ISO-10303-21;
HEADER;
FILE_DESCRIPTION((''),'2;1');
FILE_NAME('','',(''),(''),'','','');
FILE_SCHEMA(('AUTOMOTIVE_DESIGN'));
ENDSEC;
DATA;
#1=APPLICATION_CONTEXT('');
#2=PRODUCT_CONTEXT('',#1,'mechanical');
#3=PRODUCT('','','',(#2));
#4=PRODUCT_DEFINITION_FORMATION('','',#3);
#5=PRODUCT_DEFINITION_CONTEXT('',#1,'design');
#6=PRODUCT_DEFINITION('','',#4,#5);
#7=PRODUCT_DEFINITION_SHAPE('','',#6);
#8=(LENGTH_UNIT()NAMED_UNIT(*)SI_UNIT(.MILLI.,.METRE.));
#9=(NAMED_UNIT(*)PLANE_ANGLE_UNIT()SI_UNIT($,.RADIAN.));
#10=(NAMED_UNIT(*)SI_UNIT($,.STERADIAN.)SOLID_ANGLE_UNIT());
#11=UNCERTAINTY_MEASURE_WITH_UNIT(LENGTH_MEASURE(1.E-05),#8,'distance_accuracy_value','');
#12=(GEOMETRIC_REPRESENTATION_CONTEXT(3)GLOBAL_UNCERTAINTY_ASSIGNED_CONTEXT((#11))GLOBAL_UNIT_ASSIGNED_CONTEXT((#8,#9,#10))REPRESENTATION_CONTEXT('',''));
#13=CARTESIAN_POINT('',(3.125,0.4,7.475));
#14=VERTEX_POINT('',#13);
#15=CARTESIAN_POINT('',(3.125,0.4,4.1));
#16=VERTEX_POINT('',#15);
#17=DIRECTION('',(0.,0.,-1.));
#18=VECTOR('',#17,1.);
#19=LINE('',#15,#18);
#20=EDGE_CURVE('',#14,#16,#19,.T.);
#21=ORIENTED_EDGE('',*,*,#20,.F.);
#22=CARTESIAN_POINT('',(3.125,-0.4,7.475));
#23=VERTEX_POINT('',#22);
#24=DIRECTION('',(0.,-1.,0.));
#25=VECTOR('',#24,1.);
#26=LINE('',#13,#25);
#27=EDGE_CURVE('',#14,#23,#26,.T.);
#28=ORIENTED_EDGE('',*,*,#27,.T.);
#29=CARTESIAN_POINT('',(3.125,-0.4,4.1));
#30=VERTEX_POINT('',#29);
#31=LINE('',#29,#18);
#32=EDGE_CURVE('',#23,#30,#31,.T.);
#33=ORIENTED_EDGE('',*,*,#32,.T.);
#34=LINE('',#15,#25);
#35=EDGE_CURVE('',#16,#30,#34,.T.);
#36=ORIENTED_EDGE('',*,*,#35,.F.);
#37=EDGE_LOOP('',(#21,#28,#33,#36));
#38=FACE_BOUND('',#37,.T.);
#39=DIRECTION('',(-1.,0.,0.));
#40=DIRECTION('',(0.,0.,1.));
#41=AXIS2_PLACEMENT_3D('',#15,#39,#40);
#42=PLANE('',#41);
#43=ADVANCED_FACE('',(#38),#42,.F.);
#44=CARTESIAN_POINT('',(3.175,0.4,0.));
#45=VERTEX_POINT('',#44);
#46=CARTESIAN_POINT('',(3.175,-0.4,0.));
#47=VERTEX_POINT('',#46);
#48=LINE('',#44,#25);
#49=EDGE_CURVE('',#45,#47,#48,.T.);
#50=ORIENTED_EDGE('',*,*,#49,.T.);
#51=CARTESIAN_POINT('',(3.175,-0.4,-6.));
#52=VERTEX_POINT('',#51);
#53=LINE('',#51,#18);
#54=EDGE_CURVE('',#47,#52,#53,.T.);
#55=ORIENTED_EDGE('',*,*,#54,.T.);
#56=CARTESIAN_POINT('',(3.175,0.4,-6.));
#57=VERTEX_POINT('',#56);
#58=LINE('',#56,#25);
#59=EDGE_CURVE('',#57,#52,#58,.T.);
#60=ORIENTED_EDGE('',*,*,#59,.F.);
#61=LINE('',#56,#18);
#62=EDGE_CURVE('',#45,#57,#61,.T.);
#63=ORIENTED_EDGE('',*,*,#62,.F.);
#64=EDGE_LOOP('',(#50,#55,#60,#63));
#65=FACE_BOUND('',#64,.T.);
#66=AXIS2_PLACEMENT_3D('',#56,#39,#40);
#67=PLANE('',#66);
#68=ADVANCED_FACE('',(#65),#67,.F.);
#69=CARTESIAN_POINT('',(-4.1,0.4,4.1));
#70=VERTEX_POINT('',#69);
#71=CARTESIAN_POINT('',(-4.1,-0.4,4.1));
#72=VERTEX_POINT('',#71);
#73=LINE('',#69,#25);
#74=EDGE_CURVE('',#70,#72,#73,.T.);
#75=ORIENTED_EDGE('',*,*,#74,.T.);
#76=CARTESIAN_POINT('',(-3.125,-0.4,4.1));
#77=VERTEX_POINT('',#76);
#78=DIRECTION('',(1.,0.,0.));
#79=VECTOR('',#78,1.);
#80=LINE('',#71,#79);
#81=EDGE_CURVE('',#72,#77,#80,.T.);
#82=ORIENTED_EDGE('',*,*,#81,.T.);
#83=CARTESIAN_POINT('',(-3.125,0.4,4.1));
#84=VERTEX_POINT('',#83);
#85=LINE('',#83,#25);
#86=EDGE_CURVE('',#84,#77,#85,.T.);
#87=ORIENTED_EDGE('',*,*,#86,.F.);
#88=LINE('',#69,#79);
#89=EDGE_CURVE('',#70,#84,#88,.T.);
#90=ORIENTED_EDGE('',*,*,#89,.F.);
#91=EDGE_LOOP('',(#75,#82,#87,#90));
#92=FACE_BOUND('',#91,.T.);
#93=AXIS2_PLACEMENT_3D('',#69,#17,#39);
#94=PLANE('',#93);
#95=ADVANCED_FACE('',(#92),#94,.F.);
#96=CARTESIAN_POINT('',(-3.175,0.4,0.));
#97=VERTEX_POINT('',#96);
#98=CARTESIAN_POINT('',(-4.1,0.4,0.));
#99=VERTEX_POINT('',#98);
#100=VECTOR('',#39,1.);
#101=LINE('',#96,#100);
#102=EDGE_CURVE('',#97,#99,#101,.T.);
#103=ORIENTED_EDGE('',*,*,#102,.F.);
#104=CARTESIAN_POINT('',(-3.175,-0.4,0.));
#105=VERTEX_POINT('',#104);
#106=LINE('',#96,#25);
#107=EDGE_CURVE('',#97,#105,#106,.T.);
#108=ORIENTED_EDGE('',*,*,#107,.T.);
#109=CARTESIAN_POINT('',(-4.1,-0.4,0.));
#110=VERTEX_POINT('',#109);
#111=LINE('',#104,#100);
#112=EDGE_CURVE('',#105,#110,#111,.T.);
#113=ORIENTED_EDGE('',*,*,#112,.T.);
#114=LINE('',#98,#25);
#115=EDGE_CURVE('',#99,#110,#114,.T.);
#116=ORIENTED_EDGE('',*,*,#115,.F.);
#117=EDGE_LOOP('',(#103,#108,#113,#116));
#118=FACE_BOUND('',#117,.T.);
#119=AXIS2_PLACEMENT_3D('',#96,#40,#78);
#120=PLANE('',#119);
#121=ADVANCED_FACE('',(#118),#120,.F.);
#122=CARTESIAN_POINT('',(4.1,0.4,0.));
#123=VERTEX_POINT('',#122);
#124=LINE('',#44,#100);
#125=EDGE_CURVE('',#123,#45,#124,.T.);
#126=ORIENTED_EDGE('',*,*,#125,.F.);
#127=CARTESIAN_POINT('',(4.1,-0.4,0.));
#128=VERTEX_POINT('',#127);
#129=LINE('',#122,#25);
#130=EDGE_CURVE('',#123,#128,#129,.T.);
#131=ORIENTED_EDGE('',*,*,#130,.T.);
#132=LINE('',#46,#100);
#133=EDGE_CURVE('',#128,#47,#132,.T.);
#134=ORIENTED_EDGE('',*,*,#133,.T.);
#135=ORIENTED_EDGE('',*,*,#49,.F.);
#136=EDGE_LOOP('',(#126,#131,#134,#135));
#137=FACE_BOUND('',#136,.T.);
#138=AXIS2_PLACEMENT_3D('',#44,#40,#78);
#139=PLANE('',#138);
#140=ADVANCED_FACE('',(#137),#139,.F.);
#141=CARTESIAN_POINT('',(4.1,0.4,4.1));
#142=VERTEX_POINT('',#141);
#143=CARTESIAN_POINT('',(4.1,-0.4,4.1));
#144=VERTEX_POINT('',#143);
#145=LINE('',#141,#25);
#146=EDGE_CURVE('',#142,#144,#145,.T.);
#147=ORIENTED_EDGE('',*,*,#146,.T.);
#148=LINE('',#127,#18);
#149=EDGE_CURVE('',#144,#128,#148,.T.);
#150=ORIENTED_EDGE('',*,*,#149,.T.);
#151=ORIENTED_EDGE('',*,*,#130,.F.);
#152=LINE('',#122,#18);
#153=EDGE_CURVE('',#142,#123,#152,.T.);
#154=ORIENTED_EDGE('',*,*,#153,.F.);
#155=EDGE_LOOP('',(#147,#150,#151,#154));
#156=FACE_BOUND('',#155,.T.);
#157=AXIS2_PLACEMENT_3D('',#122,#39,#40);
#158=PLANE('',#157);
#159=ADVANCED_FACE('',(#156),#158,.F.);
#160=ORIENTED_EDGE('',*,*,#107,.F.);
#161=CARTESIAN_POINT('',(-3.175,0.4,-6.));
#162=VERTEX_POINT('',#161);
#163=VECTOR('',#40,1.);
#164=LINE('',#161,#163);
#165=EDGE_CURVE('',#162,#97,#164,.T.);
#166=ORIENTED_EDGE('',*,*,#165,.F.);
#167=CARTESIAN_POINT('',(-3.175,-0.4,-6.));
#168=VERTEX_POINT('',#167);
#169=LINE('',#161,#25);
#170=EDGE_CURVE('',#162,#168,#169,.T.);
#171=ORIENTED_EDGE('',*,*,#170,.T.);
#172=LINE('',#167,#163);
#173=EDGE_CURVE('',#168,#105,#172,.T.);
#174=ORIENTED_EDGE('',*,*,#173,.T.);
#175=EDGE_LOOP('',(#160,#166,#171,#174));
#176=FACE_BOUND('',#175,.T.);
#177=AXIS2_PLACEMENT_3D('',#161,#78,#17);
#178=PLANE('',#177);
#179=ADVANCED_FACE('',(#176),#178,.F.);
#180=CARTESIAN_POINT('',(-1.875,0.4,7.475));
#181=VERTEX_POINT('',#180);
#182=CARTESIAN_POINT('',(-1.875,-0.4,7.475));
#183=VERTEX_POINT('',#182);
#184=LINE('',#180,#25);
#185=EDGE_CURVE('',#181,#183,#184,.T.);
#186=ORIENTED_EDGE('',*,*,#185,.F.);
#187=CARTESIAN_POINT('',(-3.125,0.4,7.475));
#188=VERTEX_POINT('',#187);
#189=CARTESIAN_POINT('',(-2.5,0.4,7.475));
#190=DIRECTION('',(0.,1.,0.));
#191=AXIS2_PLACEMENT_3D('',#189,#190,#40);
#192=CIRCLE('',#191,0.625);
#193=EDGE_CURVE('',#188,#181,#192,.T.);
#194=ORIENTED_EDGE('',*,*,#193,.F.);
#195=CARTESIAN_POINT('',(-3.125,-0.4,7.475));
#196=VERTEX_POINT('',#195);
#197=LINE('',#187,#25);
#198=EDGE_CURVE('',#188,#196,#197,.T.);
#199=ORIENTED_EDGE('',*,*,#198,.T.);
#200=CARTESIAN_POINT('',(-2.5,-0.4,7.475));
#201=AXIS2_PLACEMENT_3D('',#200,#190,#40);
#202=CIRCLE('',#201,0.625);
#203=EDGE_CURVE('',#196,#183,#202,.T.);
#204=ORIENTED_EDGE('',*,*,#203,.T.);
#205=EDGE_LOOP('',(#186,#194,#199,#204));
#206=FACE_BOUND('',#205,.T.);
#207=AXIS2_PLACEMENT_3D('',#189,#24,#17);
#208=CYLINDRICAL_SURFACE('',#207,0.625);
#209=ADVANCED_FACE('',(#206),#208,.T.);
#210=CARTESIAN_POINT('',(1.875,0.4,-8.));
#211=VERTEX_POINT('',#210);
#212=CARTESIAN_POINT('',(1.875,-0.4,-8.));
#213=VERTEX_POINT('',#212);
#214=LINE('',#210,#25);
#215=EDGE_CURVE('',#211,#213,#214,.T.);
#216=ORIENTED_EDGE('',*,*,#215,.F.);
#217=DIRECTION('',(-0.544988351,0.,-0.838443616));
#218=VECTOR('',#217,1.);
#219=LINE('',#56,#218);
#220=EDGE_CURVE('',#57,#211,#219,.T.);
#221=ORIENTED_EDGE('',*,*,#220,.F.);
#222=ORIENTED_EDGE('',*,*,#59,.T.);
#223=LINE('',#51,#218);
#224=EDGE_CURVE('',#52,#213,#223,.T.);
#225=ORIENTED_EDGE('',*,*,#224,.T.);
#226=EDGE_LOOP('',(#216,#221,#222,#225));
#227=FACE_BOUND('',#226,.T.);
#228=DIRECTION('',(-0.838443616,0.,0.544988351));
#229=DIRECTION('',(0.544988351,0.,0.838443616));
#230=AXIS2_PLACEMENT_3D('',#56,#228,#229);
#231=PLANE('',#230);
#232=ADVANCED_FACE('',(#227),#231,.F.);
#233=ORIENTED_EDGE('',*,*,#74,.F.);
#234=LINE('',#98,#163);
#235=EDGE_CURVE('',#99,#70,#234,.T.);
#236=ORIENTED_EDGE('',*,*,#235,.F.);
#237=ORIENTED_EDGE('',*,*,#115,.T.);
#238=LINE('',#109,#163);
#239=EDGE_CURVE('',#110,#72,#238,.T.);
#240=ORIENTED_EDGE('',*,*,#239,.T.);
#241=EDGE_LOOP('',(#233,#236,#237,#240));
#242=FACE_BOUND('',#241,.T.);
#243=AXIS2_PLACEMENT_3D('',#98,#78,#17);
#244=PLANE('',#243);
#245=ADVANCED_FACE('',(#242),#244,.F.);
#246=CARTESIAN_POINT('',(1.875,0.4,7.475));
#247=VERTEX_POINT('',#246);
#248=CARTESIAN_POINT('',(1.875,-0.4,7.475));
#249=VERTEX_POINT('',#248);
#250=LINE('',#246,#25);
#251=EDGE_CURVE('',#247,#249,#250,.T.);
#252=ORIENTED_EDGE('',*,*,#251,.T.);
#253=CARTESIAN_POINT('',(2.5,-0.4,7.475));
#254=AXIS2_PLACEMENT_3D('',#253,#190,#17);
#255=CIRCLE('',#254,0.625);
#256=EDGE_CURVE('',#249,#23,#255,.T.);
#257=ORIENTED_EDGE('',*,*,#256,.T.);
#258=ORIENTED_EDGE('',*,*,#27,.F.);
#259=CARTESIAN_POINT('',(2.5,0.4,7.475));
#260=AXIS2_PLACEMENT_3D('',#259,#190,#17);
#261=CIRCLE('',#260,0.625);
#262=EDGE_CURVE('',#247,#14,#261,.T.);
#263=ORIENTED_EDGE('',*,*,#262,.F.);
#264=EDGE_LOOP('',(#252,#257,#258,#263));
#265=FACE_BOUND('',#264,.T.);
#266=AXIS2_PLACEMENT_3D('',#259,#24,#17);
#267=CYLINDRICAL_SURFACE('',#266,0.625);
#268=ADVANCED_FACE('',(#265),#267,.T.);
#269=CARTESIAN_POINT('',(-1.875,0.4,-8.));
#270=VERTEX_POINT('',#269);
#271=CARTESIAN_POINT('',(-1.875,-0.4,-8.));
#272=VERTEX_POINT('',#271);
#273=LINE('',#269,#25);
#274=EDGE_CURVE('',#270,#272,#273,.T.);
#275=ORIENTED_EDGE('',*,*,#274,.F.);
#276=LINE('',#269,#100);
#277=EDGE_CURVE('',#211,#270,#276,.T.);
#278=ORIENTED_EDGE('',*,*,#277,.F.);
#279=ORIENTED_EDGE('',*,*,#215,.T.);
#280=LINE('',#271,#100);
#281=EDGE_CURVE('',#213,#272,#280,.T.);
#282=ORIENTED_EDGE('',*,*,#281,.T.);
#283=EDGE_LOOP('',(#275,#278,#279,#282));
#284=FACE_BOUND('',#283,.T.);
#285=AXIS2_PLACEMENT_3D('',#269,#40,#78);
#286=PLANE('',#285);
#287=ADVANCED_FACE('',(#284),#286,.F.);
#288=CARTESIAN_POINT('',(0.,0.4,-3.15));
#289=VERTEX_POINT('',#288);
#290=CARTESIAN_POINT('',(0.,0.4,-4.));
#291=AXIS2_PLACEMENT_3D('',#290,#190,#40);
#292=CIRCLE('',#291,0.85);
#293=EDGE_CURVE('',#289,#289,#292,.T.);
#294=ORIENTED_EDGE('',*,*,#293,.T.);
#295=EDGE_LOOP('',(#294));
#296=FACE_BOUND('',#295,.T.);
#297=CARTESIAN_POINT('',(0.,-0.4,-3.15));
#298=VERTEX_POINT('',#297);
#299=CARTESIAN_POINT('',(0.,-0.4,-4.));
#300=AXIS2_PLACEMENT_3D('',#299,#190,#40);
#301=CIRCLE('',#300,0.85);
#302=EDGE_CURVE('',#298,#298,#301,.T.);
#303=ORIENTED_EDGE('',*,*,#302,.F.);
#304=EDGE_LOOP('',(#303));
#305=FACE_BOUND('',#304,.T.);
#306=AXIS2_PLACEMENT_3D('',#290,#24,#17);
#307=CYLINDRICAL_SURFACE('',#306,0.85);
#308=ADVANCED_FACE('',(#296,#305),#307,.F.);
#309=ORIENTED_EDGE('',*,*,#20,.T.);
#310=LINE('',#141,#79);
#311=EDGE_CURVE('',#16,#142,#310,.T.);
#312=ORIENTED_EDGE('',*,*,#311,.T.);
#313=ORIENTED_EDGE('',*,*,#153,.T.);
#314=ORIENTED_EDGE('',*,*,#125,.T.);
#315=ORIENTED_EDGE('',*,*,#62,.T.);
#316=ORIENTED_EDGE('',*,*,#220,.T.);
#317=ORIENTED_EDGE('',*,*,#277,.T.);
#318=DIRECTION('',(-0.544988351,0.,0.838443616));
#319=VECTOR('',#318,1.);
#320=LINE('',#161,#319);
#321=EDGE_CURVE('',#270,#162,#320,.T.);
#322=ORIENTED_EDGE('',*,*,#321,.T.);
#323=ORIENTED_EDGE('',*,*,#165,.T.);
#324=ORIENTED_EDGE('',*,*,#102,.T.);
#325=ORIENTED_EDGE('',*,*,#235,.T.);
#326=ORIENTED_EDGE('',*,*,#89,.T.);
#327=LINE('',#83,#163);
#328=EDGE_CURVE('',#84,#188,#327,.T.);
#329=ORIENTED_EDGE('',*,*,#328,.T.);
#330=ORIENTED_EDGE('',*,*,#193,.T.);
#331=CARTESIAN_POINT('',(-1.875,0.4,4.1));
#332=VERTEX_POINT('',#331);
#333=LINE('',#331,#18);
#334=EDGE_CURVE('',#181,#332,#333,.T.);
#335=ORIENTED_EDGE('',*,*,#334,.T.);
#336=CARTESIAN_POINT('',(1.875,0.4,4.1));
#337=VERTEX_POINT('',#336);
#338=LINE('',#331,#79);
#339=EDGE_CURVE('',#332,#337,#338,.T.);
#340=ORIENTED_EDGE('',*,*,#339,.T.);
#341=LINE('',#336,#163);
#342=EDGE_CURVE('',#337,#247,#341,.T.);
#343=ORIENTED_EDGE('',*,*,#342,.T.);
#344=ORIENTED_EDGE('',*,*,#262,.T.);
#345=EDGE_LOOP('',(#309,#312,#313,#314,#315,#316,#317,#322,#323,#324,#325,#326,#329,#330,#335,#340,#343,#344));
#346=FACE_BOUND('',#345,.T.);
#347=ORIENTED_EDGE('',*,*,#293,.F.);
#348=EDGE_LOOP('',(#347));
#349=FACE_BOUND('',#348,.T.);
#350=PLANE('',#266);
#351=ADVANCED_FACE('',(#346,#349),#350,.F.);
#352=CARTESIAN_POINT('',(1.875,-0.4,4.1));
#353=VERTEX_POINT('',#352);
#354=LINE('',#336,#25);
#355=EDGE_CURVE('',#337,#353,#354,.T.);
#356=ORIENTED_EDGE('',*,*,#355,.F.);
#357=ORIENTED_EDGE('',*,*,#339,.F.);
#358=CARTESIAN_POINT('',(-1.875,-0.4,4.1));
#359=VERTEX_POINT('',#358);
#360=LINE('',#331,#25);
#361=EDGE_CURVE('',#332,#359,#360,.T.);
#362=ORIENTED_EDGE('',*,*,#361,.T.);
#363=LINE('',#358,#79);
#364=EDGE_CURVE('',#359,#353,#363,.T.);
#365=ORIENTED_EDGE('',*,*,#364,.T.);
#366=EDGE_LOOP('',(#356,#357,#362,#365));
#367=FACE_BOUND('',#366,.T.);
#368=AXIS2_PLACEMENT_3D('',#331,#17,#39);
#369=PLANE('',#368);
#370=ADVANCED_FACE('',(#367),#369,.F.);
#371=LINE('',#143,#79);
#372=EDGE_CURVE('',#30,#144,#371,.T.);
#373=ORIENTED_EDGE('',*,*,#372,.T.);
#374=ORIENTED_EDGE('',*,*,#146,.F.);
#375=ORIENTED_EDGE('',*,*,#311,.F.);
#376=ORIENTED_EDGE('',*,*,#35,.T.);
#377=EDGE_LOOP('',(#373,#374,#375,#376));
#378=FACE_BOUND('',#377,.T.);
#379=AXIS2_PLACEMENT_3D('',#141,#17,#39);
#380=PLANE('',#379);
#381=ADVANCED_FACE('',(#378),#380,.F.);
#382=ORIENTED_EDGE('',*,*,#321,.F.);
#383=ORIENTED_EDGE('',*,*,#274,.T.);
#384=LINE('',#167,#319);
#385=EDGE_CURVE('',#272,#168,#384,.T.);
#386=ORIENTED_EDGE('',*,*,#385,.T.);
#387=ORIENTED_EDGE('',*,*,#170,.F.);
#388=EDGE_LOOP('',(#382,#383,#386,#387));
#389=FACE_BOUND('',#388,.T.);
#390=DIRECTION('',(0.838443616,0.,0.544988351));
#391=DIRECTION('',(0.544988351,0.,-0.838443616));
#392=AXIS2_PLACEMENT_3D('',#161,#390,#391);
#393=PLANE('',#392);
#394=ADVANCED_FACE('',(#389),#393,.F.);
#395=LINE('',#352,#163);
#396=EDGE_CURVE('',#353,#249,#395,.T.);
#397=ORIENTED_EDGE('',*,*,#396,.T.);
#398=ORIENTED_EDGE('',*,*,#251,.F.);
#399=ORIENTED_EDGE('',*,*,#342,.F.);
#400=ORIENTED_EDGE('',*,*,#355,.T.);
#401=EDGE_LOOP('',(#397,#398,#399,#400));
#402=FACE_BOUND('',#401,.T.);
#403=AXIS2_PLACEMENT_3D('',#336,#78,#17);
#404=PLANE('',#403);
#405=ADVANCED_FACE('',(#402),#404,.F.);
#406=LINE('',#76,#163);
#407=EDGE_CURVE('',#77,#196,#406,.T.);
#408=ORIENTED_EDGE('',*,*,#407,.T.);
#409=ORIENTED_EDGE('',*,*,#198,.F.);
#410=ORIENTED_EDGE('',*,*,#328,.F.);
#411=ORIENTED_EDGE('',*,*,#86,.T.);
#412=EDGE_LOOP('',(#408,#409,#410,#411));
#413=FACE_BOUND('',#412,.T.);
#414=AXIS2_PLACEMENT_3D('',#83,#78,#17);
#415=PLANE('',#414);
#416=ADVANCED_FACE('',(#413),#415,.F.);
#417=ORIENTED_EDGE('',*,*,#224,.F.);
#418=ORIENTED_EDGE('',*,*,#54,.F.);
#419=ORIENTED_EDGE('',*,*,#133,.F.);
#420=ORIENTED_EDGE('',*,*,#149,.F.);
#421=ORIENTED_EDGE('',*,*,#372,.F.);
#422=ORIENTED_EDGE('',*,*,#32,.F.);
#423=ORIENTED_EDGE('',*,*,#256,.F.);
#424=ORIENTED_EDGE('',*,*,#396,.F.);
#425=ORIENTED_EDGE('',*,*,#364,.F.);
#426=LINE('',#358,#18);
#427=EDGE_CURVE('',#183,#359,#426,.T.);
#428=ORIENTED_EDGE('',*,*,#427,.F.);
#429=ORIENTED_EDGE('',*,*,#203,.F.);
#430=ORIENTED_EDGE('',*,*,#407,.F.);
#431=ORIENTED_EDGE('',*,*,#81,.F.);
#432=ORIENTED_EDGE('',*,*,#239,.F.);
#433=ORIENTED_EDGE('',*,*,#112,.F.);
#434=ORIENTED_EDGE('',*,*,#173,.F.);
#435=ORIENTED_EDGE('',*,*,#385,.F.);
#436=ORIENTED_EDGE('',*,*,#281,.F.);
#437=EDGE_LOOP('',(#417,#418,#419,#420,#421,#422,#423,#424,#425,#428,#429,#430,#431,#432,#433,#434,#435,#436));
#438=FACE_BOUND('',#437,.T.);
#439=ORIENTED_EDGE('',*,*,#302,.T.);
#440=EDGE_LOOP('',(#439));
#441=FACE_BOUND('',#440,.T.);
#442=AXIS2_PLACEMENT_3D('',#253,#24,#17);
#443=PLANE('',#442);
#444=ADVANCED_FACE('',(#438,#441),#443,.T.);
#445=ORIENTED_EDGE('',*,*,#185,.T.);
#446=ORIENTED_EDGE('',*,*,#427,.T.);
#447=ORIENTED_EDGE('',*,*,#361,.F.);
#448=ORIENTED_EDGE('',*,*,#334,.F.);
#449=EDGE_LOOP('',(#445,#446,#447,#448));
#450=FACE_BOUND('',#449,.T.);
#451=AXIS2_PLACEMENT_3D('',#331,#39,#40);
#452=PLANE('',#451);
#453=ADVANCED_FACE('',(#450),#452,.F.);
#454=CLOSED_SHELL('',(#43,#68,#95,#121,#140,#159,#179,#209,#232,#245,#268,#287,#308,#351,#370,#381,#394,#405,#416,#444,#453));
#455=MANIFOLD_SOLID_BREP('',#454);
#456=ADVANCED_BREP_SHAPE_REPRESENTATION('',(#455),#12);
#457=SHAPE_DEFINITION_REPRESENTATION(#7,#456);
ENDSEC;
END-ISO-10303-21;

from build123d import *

# Parameters (mm, degrees)
SKETCH1_R           = 0.85
BOSS_EXTRUDE1_DEPTH = 0.4


with BuildPart() as part:
    # Sketch1 → Boss-Extrude1 (new, symmetric)
    with BuildSketch(Plane(origin=(0, 0, 0), x_dir=(1, 0, 0), z_dir=(0, 1, 0))):
        with BuildLine():
            Line((-3.175, 6), (-3.175, 0))
            Line((-3.175, 0), (-4.1, 0))
            Line((-4.1, 0), (-4.1, -4.1))
            Line((-4.1, -4.1), (-3.125, -4.1))
            Line((-3.125, -4.1), (-3.125, -7.475))
            ThreePointArc((-3.125, -7.475), (-2.5, -8.1), (-1.875, -7.475))
            Line((-1.875, -7.475), (-1.875, -4.1))
            Line((-1.875, -4.1), (1.875, -4.1))
            Line((1.875, -4.1), (1.875, -7.475))
            ThreePointArc((1.875, -7.475), (2.5, -8.1), (3.125, -7.475))
            Line((3.125, -7.475), (3.125, -4.1))
            Line((3.125, -4.1), (4.1, -4.1))
            Line((4.1, -4.1), (4.1, 0))
            Line((4.1, 0), (3.175, 0))
            Line((3.175, 0), (3.175, 6))
            Line((3.175, 6), (1.875, 8))
            Line((1.875, 8), (-1.875, 8))
            Line((-1.875, 8), (-3.175, 6))
        make_face()
        with Locations(Location((0, 4, 0), (0, 0, 270))):
            Circle(SKETCH1_R, mode=Mode.SUBTRACT)
    extrude(amount=BOSS_EXTRUDE1_DEPTH, both=True)


solid = part.part
